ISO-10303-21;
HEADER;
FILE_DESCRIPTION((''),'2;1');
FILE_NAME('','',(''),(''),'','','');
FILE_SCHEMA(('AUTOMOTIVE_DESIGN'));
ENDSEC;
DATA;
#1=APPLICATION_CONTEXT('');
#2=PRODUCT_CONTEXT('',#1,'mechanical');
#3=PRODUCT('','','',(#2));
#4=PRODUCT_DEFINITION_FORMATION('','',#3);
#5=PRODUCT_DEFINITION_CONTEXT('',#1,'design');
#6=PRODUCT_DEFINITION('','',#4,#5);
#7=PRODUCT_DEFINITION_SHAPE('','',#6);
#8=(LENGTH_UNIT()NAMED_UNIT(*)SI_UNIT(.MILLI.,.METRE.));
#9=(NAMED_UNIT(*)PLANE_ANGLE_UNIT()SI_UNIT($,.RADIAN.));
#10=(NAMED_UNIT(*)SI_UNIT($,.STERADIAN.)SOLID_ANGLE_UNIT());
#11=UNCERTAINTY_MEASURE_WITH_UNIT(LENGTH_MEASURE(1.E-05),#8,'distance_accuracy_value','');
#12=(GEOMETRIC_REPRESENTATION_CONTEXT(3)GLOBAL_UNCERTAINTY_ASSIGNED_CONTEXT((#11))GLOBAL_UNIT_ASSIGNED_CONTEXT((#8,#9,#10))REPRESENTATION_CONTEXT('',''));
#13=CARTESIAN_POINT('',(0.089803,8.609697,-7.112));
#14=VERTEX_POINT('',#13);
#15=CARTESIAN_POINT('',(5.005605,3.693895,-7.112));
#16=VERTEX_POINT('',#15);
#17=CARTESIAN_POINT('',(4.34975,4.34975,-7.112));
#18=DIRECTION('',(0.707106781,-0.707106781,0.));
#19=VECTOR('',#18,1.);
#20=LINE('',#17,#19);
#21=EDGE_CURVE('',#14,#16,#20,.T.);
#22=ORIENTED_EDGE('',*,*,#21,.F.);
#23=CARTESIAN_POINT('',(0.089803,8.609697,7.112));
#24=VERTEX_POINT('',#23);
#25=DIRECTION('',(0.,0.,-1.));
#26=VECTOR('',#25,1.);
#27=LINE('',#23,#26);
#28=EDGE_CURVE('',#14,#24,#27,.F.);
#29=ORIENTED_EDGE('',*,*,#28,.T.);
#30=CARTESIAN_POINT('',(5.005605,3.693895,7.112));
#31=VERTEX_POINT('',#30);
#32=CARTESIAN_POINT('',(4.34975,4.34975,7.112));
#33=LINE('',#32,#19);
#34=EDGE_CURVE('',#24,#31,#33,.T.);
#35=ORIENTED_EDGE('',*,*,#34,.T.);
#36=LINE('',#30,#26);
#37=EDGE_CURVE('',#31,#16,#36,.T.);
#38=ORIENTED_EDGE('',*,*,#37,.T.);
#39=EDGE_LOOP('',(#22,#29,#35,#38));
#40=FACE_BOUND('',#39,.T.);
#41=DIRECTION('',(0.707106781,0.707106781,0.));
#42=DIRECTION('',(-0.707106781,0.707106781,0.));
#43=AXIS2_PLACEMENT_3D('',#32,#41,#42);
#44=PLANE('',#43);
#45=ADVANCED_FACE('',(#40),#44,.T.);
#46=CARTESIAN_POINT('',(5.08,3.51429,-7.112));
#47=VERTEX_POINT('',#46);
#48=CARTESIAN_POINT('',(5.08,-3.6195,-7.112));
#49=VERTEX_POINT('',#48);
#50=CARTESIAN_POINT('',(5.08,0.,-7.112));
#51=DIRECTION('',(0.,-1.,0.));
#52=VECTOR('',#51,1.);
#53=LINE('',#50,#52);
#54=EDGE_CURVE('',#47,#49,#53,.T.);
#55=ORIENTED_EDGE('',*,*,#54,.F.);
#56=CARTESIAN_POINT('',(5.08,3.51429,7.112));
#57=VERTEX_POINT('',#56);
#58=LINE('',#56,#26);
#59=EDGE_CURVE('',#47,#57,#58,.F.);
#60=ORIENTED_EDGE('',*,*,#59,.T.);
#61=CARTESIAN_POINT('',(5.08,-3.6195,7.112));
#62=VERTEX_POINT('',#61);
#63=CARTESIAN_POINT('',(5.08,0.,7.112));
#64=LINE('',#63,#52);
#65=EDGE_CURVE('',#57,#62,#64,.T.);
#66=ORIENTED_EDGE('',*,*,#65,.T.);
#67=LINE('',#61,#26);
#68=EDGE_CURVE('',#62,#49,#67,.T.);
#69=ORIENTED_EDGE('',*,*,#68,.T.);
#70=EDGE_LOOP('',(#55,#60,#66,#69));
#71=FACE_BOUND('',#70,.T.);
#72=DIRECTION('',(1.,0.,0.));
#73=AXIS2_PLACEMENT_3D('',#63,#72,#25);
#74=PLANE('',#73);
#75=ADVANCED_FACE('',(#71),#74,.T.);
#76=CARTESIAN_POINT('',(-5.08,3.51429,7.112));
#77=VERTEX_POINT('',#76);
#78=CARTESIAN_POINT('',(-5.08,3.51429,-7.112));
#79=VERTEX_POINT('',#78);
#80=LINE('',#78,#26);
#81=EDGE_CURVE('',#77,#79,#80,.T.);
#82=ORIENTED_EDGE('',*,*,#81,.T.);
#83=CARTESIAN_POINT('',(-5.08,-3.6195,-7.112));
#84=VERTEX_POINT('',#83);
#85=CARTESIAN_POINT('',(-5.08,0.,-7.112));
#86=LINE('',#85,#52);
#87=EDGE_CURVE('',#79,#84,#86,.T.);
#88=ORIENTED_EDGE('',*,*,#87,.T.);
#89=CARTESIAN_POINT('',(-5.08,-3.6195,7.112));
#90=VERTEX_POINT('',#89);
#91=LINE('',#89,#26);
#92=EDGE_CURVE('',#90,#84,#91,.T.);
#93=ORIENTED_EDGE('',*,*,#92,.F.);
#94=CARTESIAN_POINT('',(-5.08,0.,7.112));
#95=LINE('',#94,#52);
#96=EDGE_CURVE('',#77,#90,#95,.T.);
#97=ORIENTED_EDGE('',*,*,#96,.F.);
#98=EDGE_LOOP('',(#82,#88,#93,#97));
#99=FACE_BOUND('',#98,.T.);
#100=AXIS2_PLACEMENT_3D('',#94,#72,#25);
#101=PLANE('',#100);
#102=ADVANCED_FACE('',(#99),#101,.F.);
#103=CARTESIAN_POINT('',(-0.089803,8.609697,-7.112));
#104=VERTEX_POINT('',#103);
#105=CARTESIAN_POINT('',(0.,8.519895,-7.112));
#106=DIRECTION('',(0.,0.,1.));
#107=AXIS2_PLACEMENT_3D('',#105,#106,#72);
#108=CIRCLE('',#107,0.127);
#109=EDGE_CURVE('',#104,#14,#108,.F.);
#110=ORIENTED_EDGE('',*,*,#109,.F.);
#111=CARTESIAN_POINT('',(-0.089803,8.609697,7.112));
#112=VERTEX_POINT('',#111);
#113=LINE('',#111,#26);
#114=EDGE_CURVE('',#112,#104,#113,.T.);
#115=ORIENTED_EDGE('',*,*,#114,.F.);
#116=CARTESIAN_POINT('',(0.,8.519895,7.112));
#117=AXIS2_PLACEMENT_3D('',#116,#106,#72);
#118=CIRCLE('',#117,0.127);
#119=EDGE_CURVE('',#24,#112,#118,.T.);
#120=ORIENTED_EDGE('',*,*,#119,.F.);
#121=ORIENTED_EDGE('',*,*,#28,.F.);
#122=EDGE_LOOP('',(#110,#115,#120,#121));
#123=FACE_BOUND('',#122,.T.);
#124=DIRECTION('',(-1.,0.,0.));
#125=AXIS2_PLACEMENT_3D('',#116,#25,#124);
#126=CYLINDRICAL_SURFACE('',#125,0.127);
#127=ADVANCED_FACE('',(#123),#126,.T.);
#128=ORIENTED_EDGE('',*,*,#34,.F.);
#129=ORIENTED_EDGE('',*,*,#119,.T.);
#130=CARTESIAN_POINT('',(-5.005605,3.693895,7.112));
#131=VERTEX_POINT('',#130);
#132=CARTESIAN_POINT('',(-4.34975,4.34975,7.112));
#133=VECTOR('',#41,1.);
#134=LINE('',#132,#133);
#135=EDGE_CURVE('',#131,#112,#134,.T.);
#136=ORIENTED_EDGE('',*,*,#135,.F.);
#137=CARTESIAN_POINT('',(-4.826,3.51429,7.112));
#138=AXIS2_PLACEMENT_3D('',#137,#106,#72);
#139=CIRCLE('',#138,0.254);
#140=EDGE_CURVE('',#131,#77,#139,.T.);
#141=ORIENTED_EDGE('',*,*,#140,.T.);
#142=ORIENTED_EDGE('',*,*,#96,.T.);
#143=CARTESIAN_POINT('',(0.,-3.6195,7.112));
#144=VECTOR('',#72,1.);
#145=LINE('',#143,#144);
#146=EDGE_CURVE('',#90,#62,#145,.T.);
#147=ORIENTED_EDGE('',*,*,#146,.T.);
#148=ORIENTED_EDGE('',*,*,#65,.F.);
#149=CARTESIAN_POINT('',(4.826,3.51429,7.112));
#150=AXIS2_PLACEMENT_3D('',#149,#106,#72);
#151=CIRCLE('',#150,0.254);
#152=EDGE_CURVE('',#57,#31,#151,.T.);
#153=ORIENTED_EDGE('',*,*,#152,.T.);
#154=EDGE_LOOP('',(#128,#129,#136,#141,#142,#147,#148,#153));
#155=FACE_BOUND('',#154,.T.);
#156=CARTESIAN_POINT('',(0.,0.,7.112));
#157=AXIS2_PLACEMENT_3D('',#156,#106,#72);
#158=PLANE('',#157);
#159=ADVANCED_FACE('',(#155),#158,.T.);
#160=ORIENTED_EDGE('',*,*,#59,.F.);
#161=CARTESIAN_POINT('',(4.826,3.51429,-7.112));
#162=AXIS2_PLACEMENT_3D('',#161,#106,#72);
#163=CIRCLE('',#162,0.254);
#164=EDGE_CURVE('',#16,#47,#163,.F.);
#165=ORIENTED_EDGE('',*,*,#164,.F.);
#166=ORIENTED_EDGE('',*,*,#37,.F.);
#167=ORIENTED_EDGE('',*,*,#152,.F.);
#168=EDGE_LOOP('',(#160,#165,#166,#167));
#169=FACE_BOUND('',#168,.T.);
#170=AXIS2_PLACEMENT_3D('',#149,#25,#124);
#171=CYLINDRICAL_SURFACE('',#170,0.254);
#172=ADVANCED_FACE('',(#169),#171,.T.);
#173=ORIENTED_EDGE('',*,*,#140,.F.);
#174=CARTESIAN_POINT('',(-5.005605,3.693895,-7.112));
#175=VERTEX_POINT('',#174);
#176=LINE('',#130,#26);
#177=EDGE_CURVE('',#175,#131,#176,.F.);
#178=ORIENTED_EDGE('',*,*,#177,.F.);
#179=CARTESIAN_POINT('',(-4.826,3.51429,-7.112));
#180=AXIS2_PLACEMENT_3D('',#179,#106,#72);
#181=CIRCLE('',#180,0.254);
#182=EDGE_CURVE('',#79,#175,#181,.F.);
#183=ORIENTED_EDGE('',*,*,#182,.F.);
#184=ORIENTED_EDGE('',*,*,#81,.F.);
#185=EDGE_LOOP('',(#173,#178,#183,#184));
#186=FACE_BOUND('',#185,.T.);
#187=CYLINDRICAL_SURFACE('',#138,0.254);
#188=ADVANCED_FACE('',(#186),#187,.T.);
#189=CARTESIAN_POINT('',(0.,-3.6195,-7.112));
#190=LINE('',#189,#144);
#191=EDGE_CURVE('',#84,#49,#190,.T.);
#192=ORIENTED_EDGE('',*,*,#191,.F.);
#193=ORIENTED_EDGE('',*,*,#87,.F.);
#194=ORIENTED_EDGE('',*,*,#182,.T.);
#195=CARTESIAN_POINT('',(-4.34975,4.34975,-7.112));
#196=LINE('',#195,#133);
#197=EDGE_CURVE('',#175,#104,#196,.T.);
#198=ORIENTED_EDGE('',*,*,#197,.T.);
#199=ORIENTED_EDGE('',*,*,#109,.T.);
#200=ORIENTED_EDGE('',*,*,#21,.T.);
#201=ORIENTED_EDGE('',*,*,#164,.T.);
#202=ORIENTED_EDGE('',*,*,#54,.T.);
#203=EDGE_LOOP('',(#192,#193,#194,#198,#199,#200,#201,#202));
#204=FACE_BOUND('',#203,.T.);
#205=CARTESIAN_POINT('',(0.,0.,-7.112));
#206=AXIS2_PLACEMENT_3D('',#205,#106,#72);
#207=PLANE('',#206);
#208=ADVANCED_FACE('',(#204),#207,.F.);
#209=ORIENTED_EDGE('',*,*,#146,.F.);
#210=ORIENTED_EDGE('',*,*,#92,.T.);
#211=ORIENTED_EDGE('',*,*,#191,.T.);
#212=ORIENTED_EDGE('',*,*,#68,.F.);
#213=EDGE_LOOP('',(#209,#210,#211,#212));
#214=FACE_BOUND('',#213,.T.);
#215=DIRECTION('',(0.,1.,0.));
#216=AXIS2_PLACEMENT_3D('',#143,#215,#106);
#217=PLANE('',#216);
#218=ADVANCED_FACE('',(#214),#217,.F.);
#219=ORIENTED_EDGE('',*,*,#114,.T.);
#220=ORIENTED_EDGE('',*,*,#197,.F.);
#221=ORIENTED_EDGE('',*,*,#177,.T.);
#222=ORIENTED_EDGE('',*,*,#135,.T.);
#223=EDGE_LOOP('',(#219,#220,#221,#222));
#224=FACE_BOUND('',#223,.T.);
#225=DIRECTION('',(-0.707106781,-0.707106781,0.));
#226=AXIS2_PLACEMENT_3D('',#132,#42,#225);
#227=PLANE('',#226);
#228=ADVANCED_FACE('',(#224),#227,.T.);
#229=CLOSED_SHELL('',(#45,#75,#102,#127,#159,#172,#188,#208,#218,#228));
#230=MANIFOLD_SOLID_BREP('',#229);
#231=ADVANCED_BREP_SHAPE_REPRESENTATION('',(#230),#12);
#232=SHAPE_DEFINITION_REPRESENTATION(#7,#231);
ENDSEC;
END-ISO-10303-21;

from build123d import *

# Parameters (mm, degrees)
SKETCH1_W           = 10.16
SKETCH1_H           = 7.239
BOSS_EXTRUDE1_DEPTH = 7.112
FILLET2_R           = 0.254
FILLET3_R           = 0.127


with BuildPart() as part:
    # Sketch1 → Boss-Extrude1 (new body, symmetric)
    with BuildSketch(Plane.XY):
        Polygon((0, 8.6995), (5.08, 3.6195), (-5.08, 3.6195), align=None)
        Rectangle(SKETCH1_W, SKETCH1_H)
    extrude(amount=BOSS_EXTRUDE1_DEPTH, both=True)

    # Fillet2
    fillet2_edges = [part.edges().sort_by_distance(p)[0] for p in [
        (5.08, 3.6195, 0),
        (-5.08, 3.6195, 0),
    ]]
    fillet(fillet2_edges, radius=FILLET2_R)

    # Fillet3
    fillet3_edges = [part.edges().sort_by_distance(p)[0] for p in [
        (0, 8.6995, 0),
    ]]
    fillet(fillet3_edges, radius=FILLET3_R)


solid = part.part
